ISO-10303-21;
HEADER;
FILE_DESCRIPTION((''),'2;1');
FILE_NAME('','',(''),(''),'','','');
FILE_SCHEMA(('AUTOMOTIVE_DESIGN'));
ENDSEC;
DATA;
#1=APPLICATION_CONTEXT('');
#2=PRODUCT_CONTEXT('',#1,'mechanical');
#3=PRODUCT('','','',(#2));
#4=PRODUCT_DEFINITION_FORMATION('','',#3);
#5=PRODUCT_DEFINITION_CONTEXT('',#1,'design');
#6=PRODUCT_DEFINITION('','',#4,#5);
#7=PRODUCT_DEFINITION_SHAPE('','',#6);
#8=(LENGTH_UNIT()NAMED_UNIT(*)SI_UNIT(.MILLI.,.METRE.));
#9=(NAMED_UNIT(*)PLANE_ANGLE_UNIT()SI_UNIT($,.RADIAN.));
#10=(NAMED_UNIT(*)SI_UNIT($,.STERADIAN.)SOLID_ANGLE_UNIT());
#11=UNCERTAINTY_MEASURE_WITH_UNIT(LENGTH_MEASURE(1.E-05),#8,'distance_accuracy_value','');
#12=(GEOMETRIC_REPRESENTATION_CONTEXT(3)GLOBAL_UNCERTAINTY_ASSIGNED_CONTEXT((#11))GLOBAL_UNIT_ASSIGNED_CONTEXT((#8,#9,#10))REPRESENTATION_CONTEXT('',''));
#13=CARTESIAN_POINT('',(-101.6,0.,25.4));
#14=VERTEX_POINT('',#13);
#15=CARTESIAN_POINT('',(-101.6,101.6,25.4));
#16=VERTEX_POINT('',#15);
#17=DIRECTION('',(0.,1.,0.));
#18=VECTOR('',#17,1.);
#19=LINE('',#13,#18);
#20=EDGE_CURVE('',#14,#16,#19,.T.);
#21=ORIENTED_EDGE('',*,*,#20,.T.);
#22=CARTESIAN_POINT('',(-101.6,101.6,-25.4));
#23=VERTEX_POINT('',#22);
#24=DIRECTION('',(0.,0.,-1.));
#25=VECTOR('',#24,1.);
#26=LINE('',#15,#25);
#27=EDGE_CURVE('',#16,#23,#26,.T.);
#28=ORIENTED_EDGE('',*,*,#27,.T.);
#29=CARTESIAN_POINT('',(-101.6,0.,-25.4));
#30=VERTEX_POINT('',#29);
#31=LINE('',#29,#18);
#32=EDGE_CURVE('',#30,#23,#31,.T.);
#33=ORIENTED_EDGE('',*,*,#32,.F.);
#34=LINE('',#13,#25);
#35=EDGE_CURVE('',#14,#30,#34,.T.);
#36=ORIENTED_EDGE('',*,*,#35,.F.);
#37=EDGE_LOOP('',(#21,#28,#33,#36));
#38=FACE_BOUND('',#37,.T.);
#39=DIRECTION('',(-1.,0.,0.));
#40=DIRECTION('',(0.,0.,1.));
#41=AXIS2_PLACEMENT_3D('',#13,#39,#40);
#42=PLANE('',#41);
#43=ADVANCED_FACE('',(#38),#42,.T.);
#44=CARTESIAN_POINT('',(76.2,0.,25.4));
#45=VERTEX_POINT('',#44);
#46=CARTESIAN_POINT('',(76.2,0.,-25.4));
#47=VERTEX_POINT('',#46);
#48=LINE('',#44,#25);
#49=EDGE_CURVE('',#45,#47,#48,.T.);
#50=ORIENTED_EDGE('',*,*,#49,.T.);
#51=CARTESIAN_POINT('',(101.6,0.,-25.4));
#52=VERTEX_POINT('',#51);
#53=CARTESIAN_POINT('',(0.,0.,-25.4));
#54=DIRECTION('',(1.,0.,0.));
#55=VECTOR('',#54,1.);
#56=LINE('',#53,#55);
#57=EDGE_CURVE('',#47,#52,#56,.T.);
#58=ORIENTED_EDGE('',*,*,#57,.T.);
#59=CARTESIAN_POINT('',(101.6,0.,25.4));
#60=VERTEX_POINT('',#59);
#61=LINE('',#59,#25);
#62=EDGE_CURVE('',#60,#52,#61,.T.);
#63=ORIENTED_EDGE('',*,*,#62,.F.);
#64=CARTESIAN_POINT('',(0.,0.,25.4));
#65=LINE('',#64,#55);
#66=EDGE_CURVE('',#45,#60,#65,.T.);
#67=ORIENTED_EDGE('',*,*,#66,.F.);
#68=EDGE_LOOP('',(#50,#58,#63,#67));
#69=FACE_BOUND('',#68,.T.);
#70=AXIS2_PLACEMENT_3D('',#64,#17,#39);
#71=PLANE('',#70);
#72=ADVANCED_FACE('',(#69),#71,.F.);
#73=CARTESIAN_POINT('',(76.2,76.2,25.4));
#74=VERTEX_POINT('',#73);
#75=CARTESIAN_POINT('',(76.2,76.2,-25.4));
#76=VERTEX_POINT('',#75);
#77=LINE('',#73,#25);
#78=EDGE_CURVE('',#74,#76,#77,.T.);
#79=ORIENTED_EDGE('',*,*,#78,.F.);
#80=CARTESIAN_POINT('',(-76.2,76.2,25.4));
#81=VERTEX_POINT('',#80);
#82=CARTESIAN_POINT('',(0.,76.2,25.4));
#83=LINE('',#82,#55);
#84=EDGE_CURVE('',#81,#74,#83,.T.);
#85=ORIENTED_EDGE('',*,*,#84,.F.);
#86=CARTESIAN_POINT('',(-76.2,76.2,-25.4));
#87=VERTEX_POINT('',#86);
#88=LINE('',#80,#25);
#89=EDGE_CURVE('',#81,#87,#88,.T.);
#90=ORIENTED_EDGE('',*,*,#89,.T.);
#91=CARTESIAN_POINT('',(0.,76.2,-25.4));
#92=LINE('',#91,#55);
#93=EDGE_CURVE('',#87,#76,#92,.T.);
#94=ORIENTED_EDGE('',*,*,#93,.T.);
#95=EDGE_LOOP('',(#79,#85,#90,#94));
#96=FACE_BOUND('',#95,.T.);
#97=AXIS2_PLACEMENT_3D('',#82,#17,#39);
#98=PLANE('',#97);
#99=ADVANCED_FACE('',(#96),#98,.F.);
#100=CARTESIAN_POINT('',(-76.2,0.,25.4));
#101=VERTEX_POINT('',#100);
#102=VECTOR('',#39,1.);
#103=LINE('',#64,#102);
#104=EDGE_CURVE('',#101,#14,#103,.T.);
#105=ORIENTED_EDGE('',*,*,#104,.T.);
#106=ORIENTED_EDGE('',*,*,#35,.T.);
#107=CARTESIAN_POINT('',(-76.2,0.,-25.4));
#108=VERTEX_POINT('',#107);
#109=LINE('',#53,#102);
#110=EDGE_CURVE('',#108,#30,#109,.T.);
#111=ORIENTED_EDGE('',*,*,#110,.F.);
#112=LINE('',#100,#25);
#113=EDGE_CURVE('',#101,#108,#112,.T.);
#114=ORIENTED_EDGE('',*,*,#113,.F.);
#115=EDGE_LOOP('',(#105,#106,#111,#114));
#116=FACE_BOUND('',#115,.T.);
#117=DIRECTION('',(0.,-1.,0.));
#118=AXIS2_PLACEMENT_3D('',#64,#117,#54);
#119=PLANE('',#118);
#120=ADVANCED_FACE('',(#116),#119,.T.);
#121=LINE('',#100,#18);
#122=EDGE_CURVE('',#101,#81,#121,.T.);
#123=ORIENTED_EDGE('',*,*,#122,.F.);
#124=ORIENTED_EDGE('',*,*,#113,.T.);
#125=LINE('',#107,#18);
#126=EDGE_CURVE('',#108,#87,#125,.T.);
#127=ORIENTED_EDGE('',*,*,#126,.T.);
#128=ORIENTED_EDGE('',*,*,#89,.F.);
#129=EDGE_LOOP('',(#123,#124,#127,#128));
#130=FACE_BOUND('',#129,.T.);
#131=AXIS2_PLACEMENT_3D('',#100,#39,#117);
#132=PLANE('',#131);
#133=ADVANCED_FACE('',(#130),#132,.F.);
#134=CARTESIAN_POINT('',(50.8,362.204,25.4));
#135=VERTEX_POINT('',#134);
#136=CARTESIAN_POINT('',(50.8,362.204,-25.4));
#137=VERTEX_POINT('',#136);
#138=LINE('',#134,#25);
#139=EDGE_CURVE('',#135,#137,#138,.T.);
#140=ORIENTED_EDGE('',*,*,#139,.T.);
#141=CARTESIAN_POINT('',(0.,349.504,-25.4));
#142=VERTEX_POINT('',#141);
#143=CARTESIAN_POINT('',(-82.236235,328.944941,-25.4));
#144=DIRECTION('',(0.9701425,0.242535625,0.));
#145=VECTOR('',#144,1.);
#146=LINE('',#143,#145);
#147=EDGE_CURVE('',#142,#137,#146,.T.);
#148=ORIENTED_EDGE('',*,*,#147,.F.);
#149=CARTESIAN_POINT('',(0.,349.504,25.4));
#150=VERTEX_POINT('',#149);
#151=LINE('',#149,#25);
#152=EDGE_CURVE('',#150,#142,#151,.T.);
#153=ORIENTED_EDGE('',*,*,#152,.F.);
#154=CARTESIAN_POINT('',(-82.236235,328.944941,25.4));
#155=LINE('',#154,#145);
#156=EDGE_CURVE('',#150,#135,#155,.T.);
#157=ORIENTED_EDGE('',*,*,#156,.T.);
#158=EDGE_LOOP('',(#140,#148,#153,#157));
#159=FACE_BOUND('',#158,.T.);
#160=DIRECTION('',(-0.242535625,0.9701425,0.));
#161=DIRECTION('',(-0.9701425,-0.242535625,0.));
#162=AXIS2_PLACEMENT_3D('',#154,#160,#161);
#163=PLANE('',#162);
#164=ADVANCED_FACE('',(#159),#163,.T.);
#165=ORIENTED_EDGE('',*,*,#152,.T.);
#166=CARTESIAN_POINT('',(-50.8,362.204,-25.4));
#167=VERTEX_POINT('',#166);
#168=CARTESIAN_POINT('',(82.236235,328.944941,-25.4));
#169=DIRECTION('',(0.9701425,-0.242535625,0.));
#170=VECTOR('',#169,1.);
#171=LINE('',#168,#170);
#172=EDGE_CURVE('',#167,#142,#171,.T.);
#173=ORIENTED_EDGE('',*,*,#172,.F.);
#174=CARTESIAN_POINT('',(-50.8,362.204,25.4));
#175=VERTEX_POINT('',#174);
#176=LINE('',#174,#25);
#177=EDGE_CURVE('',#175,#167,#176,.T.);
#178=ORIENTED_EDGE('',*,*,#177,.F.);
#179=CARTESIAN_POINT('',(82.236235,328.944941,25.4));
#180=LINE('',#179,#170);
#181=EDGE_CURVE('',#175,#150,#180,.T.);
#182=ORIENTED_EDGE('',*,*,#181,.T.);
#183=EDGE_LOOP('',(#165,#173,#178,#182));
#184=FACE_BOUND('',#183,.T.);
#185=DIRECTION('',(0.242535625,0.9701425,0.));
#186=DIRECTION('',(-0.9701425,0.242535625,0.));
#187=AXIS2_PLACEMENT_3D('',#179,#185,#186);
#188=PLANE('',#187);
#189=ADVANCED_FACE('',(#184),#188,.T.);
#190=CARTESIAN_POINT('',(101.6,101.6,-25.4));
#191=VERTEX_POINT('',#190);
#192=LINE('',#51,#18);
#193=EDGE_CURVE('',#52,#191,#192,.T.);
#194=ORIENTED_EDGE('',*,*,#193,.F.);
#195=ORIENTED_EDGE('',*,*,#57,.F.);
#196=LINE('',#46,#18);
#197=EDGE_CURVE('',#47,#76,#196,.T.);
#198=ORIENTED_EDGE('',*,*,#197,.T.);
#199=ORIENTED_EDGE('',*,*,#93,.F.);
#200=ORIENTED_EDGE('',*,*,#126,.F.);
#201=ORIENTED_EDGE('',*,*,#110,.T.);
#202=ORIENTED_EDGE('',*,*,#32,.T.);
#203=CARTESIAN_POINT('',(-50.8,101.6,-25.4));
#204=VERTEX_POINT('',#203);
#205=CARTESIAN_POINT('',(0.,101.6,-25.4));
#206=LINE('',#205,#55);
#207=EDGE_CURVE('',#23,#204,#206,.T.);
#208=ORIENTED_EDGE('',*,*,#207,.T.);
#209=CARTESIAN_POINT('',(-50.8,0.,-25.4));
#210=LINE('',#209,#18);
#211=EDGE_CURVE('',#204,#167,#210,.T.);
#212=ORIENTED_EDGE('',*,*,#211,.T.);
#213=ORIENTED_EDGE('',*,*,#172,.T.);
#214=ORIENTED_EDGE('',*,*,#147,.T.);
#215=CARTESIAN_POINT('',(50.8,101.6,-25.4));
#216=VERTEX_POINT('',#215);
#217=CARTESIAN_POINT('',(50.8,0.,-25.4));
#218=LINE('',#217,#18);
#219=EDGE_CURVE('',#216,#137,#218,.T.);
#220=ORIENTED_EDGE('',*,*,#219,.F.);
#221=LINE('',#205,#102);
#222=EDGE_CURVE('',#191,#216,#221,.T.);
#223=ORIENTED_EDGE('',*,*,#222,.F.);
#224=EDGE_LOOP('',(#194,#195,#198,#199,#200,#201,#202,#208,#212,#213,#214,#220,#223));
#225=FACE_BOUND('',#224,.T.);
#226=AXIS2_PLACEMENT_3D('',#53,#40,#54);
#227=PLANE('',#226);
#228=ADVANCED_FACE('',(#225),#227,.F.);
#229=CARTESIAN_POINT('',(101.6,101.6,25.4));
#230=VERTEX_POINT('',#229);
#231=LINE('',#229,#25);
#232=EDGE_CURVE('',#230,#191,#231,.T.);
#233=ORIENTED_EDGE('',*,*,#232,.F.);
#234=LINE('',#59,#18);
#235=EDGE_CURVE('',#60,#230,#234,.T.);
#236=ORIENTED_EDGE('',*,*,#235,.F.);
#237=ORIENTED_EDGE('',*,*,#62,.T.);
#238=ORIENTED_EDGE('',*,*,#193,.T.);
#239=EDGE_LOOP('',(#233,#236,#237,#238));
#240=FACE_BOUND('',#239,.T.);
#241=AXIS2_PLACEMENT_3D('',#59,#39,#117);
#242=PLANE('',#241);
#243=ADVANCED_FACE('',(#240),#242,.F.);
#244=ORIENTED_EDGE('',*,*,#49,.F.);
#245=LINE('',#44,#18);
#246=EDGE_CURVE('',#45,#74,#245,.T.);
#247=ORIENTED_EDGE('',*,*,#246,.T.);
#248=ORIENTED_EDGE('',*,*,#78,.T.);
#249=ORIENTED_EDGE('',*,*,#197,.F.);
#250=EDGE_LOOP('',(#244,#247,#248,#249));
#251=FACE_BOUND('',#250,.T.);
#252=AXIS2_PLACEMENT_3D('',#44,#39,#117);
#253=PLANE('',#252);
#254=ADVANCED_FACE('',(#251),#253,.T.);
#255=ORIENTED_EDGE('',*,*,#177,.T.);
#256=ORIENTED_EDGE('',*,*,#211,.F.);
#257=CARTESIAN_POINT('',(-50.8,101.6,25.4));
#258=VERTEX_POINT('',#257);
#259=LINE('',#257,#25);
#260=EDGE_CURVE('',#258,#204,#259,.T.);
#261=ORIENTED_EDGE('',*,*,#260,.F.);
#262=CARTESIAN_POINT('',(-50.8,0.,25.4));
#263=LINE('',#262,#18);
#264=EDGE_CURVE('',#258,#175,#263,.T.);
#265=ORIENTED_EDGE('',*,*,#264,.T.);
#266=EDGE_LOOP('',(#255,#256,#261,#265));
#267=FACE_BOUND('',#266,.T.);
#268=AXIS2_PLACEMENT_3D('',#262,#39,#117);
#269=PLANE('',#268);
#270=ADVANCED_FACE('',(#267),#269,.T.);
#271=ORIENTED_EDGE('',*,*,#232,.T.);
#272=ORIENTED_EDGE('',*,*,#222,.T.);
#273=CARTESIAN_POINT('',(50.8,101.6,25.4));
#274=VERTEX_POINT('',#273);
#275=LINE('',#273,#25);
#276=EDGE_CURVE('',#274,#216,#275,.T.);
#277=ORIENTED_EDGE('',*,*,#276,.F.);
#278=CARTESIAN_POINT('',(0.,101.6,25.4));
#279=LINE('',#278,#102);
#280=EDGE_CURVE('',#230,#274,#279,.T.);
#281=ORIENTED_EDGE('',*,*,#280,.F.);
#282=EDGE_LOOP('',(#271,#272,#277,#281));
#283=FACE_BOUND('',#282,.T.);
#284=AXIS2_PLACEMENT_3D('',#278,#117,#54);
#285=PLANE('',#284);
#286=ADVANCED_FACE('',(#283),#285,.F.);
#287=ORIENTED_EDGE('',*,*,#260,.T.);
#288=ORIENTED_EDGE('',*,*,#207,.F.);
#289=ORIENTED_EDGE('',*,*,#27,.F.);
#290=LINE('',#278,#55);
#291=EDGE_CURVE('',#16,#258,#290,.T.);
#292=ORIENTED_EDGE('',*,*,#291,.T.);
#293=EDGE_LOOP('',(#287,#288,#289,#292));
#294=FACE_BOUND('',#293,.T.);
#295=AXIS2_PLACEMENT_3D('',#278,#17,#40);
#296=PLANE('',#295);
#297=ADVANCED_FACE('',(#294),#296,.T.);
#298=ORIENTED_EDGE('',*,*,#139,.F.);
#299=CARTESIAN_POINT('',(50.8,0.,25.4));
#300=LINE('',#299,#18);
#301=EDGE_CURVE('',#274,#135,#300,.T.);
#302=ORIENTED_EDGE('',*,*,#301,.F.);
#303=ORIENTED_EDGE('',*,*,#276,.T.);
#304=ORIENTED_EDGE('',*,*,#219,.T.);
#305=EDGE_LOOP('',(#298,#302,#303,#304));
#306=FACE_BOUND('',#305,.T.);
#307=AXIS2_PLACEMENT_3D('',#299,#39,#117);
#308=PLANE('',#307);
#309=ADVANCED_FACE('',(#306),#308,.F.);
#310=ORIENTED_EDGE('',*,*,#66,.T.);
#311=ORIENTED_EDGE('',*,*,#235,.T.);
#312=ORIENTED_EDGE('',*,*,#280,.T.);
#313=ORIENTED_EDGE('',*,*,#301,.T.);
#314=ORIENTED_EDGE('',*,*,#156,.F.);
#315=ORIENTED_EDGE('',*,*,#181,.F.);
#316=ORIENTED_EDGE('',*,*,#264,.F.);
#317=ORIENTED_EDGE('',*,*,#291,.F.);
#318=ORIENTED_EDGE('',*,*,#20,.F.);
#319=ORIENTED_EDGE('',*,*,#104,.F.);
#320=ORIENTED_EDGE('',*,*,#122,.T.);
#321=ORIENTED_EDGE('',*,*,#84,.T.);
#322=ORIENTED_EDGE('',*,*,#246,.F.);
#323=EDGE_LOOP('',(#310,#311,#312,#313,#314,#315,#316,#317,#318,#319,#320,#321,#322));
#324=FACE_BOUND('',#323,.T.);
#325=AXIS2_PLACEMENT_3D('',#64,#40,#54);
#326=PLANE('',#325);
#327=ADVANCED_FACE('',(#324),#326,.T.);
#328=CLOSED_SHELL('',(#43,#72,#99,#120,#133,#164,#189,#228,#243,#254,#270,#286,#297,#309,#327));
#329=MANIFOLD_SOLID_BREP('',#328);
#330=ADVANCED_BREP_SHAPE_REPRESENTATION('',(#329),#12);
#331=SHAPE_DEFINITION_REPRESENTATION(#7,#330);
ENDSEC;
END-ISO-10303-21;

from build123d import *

# Parameters (mm, degrees)
BOSS_EXTRUDE1_DEPTH = 25.4


with BuildPart() as part:
    # Sketch1 → Boss-Extrude1 (new body, symmetric)
    with BuildSketch(Plane.XY):
        Polygon((0, 349.504), (-50.8, 362.204), (-50.8, 101.6), (-101.6, 101.6), (-101.6, 0), (-76.2, 0), (-76.2, 76.2), (0, 76.2), (76.2, 76.2), (76.2, 0), (101.6, 0), (101.6, 101.6), (50.8, 101.6), (50.8, 362.204), align=None)
    extrude(amount=BOSS_EXTRUDE1_DEPTH, both=True)


solid = part.part
